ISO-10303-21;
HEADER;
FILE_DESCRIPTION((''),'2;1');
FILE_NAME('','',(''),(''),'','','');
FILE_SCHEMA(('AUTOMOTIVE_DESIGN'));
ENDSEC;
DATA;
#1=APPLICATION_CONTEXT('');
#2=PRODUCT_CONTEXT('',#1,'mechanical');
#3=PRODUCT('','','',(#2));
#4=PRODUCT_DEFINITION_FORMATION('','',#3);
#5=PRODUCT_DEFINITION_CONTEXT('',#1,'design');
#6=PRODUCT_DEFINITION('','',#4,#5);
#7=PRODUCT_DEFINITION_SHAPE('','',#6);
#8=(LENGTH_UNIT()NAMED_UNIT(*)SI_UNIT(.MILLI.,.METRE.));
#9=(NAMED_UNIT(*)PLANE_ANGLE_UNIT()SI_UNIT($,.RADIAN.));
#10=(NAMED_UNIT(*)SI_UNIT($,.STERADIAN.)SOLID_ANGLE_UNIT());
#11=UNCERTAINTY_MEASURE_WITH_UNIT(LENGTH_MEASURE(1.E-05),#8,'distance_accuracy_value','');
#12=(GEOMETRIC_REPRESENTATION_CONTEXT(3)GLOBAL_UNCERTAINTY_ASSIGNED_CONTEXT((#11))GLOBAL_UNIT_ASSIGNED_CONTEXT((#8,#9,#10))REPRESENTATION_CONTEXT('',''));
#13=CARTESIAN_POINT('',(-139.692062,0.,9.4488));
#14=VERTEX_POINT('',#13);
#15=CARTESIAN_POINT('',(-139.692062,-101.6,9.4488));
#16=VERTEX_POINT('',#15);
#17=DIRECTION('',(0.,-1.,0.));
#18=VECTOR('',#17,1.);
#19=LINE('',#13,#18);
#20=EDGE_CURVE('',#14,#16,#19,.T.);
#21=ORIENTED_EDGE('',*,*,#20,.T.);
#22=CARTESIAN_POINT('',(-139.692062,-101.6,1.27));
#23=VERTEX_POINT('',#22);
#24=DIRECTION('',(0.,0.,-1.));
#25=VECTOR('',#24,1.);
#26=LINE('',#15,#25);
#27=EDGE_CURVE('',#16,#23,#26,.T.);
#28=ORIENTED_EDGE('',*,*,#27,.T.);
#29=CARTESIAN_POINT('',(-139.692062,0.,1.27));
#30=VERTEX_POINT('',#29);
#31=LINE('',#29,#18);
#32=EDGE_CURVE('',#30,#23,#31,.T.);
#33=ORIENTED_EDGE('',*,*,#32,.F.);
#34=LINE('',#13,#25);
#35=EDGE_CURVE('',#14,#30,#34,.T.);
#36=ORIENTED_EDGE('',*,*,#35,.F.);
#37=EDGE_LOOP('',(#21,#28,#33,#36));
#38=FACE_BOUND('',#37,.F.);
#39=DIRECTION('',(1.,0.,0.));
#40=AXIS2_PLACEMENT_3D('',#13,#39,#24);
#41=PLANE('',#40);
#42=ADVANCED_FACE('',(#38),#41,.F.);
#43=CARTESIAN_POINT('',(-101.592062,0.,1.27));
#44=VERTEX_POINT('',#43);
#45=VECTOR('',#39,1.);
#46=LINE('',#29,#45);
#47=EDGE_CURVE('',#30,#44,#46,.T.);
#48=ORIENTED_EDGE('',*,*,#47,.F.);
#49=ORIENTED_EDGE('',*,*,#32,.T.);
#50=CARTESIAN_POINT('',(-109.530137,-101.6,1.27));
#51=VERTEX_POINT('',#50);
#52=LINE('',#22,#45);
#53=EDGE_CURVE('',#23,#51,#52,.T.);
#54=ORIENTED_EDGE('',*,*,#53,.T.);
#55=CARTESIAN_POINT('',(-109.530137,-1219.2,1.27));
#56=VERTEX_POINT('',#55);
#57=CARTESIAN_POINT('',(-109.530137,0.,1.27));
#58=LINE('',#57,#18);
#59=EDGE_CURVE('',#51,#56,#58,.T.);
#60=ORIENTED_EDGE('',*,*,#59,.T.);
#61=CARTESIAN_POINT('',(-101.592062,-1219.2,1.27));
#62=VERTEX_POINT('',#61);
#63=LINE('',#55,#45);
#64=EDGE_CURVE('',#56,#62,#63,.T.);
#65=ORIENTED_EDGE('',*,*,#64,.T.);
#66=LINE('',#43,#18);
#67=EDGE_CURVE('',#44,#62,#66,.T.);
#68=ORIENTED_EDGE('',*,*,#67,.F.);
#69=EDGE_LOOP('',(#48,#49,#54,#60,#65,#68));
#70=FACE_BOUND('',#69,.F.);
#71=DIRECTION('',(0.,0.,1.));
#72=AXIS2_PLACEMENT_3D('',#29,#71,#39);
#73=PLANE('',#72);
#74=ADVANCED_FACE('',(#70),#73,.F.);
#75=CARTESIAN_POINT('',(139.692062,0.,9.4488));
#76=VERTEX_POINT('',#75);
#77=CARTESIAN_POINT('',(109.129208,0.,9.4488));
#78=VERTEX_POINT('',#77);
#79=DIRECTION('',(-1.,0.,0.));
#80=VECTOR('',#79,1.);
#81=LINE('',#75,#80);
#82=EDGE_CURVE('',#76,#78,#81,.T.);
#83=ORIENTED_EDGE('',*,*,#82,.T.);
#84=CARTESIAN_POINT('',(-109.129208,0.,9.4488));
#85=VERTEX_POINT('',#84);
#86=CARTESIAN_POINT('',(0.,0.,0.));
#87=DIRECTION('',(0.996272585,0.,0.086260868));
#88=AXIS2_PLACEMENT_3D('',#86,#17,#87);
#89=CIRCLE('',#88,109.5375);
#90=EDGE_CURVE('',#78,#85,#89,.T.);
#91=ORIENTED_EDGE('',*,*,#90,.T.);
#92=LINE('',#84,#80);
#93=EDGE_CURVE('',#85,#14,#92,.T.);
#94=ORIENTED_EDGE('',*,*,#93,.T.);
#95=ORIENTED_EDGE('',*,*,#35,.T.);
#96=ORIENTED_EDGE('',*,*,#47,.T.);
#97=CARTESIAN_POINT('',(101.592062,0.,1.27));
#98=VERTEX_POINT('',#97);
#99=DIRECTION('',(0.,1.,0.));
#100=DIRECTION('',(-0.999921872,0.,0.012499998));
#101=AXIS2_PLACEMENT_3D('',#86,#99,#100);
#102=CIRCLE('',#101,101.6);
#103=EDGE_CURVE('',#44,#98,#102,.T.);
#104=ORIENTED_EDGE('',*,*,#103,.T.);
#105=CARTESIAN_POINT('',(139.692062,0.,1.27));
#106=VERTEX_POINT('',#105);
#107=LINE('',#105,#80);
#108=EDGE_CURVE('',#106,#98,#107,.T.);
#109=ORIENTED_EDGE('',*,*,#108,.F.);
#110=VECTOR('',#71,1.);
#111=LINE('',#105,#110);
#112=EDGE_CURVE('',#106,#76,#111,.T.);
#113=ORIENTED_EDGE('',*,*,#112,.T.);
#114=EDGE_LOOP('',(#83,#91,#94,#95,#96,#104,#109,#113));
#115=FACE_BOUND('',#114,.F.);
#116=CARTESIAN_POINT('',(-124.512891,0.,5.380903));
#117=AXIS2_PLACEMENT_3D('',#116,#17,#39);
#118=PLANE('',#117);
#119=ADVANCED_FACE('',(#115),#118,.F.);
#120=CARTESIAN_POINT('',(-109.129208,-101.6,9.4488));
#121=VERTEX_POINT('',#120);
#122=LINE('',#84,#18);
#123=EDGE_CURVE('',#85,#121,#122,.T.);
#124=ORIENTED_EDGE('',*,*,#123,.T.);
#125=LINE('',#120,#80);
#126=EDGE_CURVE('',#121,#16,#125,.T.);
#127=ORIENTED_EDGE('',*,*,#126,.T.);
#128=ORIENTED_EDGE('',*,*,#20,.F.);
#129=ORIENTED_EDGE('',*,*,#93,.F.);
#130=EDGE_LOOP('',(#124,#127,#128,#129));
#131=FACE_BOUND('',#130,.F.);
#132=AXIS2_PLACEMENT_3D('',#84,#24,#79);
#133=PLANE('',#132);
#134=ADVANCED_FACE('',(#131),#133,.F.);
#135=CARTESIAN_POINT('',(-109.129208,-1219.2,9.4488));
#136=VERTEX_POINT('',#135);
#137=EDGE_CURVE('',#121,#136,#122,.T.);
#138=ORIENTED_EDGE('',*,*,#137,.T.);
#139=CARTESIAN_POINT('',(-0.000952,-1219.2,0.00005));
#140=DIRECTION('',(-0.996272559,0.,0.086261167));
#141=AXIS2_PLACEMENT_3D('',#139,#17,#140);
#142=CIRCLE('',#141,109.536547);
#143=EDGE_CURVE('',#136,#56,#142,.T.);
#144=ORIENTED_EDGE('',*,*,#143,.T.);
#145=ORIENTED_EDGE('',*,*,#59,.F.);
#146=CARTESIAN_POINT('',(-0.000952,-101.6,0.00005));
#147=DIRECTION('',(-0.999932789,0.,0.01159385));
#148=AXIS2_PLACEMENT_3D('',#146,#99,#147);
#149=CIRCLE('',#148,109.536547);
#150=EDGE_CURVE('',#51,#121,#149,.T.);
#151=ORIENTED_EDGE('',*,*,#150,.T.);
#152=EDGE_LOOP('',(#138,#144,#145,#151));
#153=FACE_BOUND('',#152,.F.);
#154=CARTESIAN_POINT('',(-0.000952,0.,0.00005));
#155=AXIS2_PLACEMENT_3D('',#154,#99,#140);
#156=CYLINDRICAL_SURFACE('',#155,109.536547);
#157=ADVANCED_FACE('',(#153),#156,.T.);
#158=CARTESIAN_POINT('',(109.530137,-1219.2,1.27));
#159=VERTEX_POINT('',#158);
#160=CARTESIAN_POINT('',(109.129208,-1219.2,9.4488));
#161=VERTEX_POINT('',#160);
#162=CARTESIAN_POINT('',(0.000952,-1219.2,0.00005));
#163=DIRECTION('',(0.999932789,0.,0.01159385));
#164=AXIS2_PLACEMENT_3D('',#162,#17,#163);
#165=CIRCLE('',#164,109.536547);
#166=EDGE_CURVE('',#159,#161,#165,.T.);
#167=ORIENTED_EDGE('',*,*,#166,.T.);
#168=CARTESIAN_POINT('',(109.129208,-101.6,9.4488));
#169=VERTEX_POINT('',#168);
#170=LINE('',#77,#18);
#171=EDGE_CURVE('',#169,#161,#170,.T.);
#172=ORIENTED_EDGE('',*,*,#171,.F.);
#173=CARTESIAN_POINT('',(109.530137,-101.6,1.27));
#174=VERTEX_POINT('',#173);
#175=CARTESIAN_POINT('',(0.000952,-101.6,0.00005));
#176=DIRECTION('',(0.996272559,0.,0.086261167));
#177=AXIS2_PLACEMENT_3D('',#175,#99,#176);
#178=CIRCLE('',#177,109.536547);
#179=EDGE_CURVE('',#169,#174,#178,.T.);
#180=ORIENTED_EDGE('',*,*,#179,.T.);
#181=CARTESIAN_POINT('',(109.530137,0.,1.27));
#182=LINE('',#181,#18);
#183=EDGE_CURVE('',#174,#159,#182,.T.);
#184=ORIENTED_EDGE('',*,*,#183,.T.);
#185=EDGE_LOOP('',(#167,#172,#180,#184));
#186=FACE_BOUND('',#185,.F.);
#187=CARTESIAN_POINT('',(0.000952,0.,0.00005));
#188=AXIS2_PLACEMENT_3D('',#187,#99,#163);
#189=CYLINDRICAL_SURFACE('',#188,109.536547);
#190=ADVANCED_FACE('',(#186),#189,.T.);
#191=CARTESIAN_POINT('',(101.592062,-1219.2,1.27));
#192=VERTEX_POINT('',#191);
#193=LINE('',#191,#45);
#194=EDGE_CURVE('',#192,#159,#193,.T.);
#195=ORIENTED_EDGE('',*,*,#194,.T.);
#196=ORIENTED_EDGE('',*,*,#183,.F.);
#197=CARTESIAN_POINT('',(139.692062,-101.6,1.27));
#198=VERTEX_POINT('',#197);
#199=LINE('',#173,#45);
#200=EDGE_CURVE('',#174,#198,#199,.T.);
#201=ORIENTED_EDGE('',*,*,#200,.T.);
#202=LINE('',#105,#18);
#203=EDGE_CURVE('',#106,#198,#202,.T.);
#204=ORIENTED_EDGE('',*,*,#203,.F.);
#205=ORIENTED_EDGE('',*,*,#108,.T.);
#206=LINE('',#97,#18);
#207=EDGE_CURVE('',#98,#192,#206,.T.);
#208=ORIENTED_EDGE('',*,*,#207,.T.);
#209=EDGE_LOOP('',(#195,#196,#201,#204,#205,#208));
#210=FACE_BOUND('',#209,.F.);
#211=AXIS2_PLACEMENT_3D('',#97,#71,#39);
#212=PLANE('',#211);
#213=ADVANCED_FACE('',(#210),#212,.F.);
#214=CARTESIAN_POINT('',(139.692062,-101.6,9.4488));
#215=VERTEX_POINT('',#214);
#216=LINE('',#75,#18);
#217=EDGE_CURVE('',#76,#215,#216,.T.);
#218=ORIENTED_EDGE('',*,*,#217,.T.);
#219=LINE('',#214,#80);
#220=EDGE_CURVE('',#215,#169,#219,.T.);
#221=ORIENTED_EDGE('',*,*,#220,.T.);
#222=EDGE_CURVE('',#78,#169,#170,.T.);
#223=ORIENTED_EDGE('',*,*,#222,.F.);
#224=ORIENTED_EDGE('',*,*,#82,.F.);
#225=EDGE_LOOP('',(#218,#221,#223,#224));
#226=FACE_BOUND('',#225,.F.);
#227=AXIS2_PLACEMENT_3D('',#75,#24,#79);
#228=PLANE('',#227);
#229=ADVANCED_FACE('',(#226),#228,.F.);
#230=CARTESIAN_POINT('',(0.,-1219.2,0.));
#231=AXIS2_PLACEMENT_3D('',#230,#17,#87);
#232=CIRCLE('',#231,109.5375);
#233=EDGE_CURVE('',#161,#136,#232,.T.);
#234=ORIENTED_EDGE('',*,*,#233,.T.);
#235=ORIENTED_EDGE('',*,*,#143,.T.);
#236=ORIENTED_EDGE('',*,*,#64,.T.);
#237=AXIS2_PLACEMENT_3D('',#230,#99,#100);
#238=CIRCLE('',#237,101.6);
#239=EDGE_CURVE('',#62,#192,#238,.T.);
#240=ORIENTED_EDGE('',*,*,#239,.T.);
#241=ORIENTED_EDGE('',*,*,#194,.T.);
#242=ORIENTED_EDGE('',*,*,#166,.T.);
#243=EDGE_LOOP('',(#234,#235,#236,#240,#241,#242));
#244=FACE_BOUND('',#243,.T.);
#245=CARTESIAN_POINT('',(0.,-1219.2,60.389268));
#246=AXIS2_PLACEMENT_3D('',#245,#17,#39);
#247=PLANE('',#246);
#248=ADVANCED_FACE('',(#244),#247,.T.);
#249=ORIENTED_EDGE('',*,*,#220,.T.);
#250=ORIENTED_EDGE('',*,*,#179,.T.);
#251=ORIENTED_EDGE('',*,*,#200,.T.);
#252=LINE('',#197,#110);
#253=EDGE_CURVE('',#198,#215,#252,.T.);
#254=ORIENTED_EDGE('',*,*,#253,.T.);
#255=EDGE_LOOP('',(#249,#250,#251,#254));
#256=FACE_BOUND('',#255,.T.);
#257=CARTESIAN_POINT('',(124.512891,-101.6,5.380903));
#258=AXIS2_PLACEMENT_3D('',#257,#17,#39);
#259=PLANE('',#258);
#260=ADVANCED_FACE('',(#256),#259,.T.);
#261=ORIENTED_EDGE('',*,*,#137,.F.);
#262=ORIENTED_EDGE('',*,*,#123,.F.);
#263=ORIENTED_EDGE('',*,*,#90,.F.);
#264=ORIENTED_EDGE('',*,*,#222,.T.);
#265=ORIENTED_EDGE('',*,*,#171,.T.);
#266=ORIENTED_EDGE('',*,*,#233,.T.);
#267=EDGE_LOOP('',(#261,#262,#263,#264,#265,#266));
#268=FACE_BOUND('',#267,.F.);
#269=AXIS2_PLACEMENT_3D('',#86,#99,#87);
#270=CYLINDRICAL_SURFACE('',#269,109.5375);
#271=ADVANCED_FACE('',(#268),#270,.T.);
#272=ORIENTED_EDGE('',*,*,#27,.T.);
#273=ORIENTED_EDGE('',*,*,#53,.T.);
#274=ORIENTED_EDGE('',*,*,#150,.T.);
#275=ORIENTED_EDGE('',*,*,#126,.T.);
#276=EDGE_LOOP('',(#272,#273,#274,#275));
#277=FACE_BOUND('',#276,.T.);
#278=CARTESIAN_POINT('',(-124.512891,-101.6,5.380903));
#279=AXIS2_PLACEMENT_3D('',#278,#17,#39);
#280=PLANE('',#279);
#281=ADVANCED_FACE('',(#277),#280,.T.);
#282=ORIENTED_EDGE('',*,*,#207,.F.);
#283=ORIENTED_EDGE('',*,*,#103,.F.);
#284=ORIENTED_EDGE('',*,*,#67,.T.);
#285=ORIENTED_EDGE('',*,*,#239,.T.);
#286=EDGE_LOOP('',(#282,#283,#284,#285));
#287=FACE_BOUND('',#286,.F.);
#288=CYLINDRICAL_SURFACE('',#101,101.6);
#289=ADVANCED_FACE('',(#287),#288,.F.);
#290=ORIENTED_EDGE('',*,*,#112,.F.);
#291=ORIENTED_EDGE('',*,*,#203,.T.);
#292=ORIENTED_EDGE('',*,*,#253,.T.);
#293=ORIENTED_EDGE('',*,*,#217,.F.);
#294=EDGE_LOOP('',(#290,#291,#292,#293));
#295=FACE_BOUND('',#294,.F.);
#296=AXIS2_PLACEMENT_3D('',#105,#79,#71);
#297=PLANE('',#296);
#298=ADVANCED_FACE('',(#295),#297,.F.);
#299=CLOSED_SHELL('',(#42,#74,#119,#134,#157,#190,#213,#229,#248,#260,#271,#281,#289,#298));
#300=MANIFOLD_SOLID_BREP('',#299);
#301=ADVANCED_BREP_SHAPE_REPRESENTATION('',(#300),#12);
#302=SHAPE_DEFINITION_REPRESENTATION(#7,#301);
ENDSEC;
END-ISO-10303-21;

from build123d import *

# Parameters (mm, degrees)
F1_DEPTH = 1219.2
F2_DEPTH = 101.6


with BuildPart() as f1:
    # F0 (on Front) → F1 (new body)
    with BuildSketch(Plane.XZ):
        with BuildLine():
            Line((101.592062, 1.27), (109.530137, 1.27))
            ThreePointArc((109.530137, 1.27), (109.406127, 5.363148), (109.129208, 9.4488))
            ThreePointArc((109.129208, 9.4488), (0, 109.5375), (-109.129208, 9.4488))
            ThreePointArc((-109.129208, 9.4488), (-109.406127, 5.363148), (-109.530137, 1.27))
            Line((-109.530137, 1.27), (-101.592062, 1.27))
            ThreePointArc((-101.592062, 1.27), (0, 101.6), (101.592062, 1.27))
        make_face()
    extrude(amount=F1_DEPTH)

    # F0 (on Front) → F2 (join)
    with BuildSketch(Plane.XZ):
        with BuildLine():
            Line((-139.692062, 1.27), (-127, 1.27))
            Line((-127, 1.27), (-109.530137, 1.27))
            ThreePointArc((-109.530137, 1.27), (-109.406127, 5.363148), (-109.129208, 9.4488))
            Line((-109.129208, 9.4488), (-139.692062, 9.4488))
            Line((-139.692062, 9.4488), (-139.692062, 1.27))
        make_face()
        with BuildLine():
            Line((109.530137, 1.27), (127, 1.27))
            Line((127, 1.27), (139.692062, 1.27))
            Line((139.692062, 1.27), (139.692062, 9.4488))
            Line((139.692062, 9.4488), (109.129208, 9.4488))
            ThreePointArc((109.129208, 9.4488), (109.406127, 5.363148), (109.530137, 1.27))
        make_face()
    extrude(amount=F2_DEPTH)


solid = f1.part
